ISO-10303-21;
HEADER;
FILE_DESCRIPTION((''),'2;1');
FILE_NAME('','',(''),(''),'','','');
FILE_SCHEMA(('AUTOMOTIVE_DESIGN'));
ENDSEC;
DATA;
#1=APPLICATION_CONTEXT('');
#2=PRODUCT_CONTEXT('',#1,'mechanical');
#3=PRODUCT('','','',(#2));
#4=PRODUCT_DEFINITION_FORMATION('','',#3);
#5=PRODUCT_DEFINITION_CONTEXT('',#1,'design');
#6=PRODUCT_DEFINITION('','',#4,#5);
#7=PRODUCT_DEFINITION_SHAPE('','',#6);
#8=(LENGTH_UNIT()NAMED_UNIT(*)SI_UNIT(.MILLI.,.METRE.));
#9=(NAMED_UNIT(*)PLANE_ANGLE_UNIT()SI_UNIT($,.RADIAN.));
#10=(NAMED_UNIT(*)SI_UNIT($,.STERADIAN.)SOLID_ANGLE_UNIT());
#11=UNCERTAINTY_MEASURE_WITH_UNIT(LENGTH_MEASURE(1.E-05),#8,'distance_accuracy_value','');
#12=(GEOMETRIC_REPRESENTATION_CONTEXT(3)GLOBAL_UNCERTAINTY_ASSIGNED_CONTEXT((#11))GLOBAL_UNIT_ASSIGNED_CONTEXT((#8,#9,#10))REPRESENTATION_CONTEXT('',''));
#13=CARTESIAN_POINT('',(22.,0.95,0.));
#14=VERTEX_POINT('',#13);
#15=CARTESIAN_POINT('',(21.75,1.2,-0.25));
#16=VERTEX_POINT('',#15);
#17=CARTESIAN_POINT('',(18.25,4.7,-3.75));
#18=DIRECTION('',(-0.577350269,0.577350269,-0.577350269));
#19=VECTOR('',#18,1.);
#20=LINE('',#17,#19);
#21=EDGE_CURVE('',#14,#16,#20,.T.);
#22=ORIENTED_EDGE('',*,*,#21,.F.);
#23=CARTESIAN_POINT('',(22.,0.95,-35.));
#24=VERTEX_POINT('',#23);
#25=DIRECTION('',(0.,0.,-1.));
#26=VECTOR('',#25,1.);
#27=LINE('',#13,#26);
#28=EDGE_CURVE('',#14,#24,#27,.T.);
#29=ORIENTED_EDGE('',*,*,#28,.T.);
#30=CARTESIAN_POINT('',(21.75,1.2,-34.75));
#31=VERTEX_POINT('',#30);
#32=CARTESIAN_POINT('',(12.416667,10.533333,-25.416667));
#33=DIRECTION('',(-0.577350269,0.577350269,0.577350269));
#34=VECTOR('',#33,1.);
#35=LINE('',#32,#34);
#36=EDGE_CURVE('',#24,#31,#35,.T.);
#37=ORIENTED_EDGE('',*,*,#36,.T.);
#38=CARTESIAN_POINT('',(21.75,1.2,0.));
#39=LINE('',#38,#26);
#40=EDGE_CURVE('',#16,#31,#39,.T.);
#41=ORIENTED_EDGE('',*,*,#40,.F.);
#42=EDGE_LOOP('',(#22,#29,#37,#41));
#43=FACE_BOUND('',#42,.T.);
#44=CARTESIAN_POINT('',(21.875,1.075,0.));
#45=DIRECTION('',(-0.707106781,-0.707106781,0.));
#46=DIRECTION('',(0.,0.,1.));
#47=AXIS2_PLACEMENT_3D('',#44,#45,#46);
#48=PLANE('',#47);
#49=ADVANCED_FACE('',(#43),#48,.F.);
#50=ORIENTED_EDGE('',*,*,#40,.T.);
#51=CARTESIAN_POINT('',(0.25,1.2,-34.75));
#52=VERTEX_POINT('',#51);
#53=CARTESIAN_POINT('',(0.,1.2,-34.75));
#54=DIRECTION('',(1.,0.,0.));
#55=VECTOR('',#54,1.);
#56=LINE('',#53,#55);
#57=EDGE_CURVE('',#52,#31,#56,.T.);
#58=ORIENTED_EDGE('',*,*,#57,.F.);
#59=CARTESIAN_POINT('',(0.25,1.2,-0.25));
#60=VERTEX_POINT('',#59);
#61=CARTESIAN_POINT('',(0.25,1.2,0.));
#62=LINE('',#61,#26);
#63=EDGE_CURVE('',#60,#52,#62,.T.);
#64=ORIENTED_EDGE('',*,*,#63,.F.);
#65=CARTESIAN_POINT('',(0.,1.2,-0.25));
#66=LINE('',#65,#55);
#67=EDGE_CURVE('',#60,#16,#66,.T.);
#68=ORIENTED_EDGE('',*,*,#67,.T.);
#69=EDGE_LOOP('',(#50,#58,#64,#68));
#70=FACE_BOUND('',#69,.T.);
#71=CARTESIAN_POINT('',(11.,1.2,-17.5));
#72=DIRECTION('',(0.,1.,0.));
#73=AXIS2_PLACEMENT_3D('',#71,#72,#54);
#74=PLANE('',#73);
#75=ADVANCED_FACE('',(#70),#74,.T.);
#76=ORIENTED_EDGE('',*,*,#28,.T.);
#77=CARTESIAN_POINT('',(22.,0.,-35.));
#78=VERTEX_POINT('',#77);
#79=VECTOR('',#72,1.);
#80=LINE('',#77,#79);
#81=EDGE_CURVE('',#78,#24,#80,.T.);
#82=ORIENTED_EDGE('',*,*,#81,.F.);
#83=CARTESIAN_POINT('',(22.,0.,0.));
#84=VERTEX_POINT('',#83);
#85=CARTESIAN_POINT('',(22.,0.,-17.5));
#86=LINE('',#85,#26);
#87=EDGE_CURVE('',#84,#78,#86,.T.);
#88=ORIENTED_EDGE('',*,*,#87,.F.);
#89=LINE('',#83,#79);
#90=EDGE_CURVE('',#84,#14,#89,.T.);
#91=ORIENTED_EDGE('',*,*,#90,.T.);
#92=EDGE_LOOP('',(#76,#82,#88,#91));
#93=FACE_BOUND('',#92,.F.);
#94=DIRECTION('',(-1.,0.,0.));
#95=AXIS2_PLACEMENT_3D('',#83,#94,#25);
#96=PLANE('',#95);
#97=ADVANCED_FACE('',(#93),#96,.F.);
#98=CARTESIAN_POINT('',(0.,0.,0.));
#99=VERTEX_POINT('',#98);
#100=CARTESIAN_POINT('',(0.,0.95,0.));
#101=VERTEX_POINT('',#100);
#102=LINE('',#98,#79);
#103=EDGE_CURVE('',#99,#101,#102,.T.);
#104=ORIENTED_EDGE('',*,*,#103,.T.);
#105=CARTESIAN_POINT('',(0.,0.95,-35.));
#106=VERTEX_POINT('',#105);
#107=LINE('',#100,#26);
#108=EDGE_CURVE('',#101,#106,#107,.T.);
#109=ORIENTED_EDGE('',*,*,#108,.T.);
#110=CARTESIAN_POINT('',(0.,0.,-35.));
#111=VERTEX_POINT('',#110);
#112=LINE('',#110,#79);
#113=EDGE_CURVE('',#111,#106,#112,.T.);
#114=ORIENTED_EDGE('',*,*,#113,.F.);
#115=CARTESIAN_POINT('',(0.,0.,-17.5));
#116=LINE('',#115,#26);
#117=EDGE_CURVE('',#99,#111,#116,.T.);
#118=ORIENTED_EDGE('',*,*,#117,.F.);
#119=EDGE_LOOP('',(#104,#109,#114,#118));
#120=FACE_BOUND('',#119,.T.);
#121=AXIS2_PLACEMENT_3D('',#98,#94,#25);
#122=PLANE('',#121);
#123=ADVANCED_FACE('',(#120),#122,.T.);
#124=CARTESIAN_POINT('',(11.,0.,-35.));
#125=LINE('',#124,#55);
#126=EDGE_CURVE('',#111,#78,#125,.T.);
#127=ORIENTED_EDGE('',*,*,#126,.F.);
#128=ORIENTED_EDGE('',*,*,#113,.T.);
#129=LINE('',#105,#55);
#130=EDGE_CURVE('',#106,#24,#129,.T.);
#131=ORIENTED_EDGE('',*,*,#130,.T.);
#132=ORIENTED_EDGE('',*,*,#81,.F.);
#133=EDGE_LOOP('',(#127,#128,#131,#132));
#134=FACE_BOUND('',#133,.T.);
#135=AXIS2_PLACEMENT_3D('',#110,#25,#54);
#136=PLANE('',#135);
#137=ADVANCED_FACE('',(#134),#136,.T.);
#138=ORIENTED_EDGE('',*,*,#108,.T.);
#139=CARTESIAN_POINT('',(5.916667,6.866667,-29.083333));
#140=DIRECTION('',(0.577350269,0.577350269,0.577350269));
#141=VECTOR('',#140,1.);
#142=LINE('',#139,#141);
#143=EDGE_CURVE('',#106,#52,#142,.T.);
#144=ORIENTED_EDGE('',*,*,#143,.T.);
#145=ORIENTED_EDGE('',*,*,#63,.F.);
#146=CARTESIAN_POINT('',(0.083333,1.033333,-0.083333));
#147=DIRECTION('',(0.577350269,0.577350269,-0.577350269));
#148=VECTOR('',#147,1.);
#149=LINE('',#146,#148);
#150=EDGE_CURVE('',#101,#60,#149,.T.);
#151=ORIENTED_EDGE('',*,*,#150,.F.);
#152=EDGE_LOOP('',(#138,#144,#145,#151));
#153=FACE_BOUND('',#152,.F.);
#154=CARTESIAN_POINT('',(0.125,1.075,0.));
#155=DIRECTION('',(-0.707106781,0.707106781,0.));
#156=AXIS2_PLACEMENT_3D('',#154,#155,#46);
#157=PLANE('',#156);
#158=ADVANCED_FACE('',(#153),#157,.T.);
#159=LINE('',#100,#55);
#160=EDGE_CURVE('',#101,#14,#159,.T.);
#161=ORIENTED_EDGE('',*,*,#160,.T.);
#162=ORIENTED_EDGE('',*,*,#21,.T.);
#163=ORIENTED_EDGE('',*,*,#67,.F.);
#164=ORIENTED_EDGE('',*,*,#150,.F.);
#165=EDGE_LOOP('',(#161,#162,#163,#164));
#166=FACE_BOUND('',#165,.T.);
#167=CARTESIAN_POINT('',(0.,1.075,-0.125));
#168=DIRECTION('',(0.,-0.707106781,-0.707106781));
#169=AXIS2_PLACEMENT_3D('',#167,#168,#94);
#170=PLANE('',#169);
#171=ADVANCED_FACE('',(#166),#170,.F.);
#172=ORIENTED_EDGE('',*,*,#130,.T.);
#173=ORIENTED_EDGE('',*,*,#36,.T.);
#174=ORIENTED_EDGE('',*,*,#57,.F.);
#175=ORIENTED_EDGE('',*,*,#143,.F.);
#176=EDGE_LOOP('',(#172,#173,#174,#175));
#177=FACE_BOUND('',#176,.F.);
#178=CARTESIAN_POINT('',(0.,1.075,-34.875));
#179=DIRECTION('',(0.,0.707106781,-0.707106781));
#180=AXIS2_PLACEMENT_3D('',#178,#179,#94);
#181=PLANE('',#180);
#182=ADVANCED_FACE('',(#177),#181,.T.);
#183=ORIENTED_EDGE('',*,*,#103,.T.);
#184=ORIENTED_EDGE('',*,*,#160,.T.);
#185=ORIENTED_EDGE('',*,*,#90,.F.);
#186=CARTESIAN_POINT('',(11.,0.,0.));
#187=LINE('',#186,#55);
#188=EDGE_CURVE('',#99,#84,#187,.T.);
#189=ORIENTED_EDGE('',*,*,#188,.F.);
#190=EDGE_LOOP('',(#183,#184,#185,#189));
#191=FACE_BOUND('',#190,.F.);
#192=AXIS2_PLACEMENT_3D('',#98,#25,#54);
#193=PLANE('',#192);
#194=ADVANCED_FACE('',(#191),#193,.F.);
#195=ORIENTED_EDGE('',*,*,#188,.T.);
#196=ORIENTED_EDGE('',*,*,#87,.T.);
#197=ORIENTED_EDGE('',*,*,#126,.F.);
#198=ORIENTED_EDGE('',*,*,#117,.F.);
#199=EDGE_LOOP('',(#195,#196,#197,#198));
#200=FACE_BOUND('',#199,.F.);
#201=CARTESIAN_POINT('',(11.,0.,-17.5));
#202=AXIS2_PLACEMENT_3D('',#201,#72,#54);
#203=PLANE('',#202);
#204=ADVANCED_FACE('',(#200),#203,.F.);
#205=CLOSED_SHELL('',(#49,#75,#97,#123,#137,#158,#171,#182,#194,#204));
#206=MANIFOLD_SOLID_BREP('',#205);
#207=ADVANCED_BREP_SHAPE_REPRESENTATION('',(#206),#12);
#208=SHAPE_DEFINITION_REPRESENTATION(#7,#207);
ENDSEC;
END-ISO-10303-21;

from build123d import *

# Parameters (mm, degrees)
SKETCH1_W           = 22
SKETCH1_H           = 35
BOSS_EXTRUDE1_DEPTH = 1.2
CHAMFER1_SIZE       = 0.25


with BuildPart() as part:
    # Sketch1 → Boss-Extrude1 (new body)
    with BuildSketch(Plane(origin=(0, 0, 0), x_dir=(1, 0, 0), z_dir=(0, 1, 0))):
        with Locations((11, 17.5)):
            Rectangle(SKETCH1_W, SKETCH1_H)
    extrude(amount=BOSS_EXTRUDE1_DEPTH)

    # Chamfer1
    chamfer1_edges = [part.edges().sort_by_distance(p)[0] for p in [
        (22, 1.2, -17.5),
        (11, 1.2, -35),
        (0, 1.2, -17.5),
        (11, 1.2, 0),
    ]]
    chamfer(chamfer1_edges, length=CHAMFER1_SIZE)


solid = part.part
